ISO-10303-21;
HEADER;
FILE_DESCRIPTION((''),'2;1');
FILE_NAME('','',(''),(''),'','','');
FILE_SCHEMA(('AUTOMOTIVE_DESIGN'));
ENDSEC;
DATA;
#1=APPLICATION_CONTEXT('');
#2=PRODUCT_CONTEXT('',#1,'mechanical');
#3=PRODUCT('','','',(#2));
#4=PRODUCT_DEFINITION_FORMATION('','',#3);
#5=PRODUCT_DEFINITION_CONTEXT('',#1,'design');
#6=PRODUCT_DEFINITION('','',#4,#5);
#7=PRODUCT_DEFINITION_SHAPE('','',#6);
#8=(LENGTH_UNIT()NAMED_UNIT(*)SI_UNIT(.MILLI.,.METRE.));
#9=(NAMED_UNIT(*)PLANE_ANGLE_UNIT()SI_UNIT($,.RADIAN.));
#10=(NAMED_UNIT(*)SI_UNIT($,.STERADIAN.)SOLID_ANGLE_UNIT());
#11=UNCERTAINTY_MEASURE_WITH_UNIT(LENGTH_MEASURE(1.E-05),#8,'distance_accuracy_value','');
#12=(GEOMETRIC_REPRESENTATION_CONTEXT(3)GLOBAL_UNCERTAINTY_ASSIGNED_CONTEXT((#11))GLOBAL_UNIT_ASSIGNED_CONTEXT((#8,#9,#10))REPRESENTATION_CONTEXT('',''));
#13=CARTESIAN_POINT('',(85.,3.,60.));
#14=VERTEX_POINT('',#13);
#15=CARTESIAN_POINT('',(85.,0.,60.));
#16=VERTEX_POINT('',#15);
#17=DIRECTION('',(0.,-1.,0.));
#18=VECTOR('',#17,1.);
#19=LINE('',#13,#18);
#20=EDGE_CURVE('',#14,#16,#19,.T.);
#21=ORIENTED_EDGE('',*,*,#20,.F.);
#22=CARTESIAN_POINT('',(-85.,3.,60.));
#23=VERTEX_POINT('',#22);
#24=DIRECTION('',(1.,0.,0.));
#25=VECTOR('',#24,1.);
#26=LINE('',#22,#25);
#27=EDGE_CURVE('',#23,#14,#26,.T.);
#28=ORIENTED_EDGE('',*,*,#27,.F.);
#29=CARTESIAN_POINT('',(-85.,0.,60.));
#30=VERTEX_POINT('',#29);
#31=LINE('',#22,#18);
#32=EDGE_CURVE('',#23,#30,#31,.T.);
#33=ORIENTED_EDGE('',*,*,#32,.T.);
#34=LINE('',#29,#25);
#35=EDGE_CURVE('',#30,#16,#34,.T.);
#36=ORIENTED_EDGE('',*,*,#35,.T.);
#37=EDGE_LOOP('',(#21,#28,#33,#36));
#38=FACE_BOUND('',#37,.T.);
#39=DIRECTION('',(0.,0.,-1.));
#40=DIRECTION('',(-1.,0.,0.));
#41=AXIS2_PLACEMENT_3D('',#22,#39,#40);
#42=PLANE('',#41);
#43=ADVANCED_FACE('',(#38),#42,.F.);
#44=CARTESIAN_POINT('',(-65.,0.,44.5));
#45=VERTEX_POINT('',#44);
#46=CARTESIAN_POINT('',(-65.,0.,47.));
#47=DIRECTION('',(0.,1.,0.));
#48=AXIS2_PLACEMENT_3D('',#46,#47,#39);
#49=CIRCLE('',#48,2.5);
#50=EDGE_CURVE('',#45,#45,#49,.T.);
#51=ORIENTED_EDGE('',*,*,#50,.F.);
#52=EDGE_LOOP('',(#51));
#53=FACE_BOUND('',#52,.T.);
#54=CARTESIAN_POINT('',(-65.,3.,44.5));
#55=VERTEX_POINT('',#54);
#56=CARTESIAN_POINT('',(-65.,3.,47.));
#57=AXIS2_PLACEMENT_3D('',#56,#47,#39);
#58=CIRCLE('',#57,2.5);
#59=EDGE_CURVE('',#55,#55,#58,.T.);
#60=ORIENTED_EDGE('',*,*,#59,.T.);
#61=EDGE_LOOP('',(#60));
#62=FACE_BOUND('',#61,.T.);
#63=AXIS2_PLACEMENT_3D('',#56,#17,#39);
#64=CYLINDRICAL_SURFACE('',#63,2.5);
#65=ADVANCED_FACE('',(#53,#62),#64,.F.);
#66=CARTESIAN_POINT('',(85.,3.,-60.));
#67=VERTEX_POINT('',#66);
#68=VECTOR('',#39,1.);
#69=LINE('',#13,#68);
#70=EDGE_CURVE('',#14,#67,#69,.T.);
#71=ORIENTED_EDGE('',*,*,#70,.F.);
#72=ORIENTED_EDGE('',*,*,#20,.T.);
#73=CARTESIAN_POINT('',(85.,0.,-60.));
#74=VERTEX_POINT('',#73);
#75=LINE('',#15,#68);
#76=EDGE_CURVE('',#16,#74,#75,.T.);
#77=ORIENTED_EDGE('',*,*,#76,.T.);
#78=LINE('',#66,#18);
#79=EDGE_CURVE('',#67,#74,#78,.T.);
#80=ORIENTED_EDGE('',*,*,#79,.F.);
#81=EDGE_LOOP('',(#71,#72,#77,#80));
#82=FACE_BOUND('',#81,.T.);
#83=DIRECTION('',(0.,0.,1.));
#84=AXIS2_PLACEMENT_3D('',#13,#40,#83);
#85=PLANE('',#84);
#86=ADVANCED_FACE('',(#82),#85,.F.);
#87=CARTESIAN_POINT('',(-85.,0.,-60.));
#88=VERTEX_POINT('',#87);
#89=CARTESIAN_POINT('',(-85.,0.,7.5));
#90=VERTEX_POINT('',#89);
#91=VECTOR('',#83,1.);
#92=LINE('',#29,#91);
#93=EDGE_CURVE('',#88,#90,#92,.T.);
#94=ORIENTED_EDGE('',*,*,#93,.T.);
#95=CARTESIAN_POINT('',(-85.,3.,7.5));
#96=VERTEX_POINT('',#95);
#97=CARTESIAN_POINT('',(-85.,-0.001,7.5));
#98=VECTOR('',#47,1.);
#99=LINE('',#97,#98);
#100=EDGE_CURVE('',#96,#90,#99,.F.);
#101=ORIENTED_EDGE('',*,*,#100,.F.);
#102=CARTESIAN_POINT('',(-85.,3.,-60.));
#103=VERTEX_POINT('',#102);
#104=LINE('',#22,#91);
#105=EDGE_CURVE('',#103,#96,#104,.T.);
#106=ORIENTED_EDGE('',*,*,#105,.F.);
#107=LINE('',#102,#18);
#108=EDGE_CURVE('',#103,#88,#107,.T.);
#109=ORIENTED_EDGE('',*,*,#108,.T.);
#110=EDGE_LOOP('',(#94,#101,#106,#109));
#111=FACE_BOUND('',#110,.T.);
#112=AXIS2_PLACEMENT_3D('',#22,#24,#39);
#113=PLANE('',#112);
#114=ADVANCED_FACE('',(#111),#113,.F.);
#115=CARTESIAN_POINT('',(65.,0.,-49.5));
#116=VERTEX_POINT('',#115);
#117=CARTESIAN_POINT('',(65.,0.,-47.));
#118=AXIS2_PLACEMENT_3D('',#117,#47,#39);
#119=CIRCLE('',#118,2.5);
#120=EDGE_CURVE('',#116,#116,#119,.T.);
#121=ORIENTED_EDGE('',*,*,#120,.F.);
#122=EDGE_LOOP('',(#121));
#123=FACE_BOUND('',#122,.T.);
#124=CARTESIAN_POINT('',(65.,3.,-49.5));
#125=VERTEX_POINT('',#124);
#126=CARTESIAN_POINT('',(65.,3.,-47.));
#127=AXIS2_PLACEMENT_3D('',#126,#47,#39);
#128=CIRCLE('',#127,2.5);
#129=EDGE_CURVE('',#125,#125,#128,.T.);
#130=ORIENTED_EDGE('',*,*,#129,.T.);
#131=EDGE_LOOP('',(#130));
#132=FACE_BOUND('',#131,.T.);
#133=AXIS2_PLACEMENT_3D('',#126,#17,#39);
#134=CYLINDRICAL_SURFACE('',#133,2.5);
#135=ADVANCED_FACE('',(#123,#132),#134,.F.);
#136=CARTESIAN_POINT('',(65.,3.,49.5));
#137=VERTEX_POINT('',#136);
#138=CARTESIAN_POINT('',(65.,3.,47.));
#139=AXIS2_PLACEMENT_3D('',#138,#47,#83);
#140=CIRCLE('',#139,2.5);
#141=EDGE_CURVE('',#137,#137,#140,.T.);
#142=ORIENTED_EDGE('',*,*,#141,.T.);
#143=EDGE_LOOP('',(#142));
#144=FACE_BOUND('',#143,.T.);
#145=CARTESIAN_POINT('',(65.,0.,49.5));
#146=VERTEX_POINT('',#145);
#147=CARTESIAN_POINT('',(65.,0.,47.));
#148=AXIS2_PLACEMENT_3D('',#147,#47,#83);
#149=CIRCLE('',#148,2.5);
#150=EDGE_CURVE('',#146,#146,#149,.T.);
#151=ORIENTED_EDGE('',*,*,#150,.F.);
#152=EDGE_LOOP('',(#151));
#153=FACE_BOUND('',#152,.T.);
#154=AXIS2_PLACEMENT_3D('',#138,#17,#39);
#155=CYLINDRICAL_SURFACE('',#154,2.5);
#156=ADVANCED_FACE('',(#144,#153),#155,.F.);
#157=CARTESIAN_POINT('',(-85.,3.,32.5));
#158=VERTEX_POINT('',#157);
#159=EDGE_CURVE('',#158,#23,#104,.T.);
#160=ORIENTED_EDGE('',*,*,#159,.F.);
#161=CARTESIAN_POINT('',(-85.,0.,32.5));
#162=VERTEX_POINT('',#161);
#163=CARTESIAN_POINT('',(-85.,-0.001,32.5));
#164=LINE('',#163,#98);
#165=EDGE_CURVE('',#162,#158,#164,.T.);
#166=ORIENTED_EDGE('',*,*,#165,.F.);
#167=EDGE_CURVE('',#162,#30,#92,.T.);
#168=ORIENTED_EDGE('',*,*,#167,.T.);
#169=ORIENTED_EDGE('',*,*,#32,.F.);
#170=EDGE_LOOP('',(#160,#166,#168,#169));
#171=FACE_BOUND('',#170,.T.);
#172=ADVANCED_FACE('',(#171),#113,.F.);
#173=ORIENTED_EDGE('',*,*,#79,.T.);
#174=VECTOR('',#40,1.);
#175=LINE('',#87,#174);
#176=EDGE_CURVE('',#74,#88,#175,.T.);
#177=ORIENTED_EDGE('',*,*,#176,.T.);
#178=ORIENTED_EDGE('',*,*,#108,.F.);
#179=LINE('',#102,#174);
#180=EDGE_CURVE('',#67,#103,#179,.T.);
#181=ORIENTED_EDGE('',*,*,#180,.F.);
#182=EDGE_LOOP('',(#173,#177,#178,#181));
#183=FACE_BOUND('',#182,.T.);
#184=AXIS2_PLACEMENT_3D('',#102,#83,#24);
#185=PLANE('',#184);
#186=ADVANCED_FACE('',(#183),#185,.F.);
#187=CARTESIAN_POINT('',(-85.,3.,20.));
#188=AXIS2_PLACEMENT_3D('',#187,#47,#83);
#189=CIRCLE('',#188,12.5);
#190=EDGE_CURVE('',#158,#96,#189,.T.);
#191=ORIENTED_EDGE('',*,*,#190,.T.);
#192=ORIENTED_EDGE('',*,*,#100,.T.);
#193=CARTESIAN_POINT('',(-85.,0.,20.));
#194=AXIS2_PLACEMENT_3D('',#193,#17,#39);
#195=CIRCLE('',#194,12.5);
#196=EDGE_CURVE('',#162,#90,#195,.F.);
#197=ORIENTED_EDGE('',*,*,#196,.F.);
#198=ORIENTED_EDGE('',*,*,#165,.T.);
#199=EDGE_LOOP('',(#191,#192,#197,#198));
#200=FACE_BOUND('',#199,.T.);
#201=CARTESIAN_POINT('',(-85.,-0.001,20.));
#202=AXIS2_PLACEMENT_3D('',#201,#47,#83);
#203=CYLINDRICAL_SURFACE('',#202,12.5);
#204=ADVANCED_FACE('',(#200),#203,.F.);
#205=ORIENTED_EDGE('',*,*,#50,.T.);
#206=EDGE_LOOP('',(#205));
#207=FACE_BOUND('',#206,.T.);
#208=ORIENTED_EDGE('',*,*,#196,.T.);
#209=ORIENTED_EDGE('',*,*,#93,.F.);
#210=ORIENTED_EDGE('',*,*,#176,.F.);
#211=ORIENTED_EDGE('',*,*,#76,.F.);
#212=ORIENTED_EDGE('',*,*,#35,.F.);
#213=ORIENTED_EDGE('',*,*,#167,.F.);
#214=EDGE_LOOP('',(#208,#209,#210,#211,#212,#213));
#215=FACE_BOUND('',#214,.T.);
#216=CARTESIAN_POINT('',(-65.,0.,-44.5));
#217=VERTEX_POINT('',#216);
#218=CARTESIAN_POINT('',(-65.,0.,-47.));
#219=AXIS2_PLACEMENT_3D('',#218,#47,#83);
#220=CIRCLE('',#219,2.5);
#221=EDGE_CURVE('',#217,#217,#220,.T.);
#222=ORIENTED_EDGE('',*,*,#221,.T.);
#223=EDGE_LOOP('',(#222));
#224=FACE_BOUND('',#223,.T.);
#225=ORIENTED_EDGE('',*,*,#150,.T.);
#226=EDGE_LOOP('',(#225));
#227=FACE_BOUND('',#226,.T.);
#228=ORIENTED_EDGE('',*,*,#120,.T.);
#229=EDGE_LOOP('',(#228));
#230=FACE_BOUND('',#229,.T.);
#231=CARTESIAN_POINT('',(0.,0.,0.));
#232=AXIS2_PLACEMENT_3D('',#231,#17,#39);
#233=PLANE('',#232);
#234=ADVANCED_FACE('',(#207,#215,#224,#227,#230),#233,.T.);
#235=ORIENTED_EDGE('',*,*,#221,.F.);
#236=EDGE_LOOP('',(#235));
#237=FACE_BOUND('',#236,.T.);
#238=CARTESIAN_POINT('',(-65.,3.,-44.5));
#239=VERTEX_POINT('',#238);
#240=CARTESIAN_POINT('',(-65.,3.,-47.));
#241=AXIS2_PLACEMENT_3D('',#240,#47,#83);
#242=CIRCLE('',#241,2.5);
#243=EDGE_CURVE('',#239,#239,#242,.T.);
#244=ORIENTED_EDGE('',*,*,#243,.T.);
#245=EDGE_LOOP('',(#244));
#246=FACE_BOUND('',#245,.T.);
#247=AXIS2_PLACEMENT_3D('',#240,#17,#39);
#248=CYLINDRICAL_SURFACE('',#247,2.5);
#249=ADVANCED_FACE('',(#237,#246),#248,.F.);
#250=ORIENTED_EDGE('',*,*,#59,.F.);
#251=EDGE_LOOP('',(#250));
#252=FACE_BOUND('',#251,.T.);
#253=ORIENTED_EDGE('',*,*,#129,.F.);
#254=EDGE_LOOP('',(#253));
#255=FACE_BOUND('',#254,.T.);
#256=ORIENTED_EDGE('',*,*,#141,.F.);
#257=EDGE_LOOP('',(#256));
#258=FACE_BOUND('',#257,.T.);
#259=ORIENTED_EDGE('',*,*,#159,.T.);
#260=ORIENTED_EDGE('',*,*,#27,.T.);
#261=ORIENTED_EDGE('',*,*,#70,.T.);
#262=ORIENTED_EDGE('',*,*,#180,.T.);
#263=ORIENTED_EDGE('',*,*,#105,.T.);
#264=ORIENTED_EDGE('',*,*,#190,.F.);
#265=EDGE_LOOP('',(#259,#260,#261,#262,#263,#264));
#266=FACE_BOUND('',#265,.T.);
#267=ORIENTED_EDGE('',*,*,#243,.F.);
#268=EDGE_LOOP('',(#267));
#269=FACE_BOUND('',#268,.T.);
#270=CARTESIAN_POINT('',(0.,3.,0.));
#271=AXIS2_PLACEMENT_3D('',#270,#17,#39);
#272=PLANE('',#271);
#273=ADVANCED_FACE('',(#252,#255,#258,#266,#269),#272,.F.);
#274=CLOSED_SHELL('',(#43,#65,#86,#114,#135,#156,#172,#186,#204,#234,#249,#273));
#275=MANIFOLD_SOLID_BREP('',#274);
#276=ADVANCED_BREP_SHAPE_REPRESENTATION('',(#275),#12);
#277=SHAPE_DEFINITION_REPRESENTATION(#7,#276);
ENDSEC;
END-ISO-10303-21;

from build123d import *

# Parameters (mm, degrees)
SKETCH1_W           = 170
SKETCH1_H           = 120
SKETCH1_R           = 2.5
BOSS_EXTRUDE1_DEPTH = 3
CUT_EXTRUDE1_REACH  = 106.087
SKETCH2_R           = 12.5


with BuildPart() as part:
    # Sketch1 → Boss-Extrude1 (new body)
    with BuildSketch(Plane(origin=(0, 0, 0), x_dir=(1, 0, 0), z_dir=(0, 1, 0))):
        Rectangle(SKETCH1_W, SKETCH1_H)
        with Locations(Location((-65, 47, 0), (0, 0, 270))):
            Circle(SKETCH1_R, mode=Mode.SUBTRACT)
        with Locations(Location((-65, -47, 0), (0, 0, 90))):
            Circle(SKETCH1_R, mode=Mode.SUBTRACT)
        with Locations(Location((65, -47, 0), (0, 0, 270))):
            Circle(SKETCH1_R, mode=Mode.SUBTRACT)
        with Locations(Location((65, 47, 0), (0, 0, 90))):
            Circle(SKETCH1_R, mode=Mode.SUBTRACT)
    extrude(amount=BOSS_EXTRUDE1_DEPTH)

    # Sketch2 → Cut-Extrude1 (cut, up to next)
    with BuildSketch(Plane(origin=(0, 3, 0), x_dir=(1, 0, 0), z_dir=(0, 1, 0)), mode=Mode.PRIVATE) as cut_extrude1_sk1:
        with Locations((-85, -20)):
            Circle(SKETCH2_R)
    cut_extrude1_tool1 = extrude(cut_extrude1_sk1.sketch, amount=-CUT_EXTRUDE1_REACH, mode=Mode.PRIVATE) & part.part
    add(cut_extrude1_tool1.solids().sort_by_distance((-85, 3, 20))[0], mode=Mode.SUBTRACT)


solid = part.part
